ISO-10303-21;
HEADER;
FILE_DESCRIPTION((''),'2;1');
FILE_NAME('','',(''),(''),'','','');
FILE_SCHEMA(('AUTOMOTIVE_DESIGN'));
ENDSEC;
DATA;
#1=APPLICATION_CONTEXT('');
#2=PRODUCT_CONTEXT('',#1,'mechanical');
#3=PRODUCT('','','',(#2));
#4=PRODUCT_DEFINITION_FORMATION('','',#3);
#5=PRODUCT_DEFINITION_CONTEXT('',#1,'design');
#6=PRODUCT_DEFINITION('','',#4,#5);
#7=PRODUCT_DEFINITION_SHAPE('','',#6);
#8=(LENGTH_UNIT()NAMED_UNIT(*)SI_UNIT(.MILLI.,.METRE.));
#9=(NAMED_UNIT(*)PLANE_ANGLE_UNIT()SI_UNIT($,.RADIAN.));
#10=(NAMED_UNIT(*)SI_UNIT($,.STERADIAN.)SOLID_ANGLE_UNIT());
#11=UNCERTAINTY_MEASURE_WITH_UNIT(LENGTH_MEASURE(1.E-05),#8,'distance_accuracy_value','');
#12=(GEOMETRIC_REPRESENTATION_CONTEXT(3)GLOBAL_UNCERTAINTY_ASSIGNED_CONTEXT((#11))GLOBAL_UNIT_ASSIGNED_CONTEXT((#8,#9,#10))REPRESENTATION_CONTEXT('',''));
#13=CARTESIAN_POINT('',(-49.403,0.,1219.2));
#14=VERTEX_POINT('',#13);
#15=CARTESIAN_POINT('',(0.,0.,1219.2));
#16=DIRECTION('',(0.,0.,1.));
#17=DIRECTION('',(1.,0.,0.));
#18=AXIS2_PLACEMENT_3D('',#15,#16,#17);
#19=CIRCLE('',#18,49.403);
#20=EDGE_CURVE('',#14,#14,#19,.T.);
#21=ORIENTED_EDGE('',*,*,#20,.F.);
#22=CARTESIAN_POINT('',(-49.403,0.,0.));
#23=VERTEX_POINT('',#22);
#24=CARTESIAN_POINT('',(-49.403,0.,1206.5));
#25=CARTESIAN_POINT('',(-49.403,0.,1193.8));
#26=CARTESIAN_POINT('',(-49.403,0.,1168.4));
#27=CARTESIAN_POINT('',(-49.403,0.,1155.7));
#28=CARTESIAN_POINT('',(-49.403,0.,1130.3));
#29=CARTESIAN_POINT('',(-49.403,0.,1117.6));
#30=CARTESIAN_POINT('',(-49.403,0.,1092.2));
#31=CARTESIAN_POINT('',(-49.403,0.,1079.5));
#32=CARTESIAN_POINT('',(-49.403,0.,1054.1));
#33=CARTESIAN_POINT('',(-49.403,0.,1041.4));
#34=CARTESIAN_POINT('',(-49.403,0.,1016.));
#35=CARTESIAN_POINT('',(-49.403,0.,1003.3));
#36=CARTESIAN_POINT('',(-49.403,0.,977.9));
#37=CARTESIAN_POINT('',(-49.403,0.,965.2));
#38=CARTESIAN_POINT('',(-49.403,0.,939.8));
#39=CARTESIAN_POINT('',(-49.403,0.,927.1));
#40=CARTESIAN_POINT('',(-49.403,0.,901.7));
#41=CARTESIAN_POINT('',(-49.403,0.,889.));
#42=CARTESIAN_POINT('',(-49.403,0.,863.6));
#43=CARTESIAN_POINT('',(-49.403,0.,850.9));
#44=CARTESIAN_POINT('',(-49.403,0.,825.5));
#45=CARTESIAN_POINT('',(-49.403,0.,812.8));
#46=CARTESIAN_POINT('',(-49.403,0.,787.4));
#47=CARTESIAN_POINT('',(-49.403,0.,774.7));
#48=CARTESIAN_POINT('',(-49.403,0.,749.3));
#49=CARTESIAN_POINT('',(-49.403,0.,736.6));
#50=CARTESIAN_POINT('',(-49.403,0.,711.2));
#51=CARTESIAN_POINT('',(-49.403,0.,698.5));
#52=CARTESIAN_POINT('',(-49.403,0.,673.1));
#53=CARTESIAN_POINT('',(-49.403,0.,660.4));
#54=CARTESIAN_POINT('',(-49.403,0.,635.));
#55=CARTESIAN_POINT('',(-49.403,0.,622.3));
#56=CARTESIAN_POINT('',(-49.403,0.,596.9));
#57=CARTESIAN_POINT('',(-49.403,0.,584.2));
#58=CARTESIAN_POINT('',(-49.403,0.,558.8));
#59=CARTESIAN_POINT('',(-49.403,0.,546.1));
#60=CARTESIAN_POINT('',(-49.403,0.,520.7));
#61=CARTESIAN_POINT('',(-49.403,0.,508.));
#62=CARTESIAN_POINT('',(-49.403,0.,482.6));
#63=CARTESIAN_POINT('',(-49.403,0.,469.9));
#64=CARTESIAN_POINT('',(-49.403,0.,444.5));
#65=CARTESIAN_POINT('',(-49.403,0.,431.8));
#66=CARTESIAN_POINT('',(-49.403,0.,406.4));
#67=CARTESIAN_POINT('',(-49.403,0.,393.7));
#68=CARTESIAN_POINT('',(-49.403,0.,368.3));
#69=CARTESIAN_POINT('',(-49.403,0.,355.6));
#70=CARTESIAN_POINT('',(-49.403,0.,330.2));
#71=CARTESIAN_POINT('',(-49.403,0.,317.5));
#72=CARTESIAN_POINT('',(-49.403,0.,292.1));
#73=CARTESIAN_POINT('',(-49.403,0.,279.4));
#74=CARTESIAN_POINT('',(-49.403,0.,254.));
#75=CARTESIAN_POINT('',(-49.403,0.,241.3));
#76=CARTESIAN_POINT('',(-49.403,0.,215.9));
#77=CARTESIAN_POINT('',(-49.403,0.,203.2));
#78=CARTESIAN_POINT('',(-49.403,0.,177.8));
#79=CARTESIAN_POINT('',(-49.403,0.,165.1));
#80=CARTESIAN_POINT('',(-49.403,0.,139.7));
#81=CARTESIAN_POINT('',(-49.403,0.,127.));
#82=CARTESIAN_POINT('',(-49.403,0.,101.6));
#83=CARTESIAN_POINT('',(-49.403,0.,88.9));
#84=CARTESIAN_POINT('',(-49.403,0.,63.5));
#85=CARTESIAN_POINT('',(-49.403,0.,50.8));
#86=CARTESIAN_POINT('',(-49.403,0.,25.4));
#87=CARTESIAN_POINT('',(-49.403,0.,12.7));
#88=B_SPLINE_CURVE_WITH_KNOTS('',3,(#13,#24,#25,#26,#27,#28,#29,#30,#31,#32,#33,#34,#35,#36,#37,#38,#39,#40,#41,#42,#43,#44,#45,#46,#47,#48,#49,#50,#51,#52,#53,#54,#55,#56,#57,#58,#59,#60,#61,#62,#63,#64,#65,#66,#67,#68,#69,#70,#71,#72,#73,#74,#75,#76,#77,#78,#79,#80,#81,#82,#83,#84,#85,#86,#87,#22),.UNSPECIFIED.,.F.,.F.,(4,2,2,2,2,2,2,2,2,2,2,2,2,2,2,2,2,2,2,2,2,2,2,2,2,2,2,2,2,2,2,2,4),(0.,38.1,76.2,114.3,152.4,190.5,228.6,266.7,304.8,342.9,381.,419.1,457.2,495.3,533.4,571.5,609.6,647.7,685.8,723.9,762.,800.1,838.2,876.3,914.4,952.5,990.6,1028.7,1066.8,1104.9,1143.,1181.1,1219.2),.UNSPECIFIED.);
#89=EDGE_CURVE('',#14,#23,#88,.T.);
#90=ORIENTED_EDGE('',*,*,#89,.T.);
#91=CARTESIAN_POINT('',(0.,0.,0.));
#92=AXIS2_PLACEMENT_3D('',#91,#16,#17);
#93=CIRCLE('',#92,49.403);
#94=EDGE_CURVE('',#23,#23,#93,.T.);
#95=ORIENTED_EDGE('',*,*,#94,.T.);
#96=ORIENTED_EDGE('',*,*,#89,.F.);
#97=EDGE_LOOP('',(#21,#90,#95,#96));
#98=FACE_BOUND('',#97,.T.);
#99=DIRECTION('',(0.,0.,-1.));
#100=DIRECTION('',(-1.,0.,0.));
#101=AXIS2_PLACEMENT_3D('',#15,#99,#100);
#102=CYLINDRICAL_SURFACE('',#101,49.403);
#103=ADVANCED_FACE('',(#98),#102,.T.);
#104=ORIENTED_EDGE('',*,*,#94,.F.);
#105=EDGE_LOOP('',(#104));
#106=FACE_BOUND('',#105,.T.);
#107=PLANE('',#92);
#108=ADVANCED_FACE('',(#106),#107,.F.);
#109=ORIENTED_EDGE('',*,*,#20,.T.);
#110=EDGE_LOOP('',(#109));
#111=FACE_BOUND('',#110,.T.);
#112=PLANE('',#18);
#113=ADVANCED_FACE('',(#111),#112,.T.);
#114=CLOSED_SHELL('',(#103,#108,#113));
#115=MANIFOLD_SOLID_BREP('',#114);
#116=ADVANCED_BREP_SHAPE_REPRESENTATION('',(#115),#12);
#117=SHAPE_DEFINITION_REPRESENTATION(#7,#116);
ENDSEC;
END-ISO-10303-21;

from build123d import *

# Parameters (mm, degrees)
ESQUISSE2_R        = 49.403
BOSS_EXTRU_1_DEPTH = 1219.2


with BuildPart() as part:
    # Esquisse2 → Boss.-Extru.1 (new body)
    with BuildSketch(Plane.XY):
        with Locations(Location((0, 0, 0), (0, 0, 180))):
            Circle(ESQUISSE2_R)
    extrude(amount=BOSS_EXTRU_1_DEPTH)


solid = part.part
